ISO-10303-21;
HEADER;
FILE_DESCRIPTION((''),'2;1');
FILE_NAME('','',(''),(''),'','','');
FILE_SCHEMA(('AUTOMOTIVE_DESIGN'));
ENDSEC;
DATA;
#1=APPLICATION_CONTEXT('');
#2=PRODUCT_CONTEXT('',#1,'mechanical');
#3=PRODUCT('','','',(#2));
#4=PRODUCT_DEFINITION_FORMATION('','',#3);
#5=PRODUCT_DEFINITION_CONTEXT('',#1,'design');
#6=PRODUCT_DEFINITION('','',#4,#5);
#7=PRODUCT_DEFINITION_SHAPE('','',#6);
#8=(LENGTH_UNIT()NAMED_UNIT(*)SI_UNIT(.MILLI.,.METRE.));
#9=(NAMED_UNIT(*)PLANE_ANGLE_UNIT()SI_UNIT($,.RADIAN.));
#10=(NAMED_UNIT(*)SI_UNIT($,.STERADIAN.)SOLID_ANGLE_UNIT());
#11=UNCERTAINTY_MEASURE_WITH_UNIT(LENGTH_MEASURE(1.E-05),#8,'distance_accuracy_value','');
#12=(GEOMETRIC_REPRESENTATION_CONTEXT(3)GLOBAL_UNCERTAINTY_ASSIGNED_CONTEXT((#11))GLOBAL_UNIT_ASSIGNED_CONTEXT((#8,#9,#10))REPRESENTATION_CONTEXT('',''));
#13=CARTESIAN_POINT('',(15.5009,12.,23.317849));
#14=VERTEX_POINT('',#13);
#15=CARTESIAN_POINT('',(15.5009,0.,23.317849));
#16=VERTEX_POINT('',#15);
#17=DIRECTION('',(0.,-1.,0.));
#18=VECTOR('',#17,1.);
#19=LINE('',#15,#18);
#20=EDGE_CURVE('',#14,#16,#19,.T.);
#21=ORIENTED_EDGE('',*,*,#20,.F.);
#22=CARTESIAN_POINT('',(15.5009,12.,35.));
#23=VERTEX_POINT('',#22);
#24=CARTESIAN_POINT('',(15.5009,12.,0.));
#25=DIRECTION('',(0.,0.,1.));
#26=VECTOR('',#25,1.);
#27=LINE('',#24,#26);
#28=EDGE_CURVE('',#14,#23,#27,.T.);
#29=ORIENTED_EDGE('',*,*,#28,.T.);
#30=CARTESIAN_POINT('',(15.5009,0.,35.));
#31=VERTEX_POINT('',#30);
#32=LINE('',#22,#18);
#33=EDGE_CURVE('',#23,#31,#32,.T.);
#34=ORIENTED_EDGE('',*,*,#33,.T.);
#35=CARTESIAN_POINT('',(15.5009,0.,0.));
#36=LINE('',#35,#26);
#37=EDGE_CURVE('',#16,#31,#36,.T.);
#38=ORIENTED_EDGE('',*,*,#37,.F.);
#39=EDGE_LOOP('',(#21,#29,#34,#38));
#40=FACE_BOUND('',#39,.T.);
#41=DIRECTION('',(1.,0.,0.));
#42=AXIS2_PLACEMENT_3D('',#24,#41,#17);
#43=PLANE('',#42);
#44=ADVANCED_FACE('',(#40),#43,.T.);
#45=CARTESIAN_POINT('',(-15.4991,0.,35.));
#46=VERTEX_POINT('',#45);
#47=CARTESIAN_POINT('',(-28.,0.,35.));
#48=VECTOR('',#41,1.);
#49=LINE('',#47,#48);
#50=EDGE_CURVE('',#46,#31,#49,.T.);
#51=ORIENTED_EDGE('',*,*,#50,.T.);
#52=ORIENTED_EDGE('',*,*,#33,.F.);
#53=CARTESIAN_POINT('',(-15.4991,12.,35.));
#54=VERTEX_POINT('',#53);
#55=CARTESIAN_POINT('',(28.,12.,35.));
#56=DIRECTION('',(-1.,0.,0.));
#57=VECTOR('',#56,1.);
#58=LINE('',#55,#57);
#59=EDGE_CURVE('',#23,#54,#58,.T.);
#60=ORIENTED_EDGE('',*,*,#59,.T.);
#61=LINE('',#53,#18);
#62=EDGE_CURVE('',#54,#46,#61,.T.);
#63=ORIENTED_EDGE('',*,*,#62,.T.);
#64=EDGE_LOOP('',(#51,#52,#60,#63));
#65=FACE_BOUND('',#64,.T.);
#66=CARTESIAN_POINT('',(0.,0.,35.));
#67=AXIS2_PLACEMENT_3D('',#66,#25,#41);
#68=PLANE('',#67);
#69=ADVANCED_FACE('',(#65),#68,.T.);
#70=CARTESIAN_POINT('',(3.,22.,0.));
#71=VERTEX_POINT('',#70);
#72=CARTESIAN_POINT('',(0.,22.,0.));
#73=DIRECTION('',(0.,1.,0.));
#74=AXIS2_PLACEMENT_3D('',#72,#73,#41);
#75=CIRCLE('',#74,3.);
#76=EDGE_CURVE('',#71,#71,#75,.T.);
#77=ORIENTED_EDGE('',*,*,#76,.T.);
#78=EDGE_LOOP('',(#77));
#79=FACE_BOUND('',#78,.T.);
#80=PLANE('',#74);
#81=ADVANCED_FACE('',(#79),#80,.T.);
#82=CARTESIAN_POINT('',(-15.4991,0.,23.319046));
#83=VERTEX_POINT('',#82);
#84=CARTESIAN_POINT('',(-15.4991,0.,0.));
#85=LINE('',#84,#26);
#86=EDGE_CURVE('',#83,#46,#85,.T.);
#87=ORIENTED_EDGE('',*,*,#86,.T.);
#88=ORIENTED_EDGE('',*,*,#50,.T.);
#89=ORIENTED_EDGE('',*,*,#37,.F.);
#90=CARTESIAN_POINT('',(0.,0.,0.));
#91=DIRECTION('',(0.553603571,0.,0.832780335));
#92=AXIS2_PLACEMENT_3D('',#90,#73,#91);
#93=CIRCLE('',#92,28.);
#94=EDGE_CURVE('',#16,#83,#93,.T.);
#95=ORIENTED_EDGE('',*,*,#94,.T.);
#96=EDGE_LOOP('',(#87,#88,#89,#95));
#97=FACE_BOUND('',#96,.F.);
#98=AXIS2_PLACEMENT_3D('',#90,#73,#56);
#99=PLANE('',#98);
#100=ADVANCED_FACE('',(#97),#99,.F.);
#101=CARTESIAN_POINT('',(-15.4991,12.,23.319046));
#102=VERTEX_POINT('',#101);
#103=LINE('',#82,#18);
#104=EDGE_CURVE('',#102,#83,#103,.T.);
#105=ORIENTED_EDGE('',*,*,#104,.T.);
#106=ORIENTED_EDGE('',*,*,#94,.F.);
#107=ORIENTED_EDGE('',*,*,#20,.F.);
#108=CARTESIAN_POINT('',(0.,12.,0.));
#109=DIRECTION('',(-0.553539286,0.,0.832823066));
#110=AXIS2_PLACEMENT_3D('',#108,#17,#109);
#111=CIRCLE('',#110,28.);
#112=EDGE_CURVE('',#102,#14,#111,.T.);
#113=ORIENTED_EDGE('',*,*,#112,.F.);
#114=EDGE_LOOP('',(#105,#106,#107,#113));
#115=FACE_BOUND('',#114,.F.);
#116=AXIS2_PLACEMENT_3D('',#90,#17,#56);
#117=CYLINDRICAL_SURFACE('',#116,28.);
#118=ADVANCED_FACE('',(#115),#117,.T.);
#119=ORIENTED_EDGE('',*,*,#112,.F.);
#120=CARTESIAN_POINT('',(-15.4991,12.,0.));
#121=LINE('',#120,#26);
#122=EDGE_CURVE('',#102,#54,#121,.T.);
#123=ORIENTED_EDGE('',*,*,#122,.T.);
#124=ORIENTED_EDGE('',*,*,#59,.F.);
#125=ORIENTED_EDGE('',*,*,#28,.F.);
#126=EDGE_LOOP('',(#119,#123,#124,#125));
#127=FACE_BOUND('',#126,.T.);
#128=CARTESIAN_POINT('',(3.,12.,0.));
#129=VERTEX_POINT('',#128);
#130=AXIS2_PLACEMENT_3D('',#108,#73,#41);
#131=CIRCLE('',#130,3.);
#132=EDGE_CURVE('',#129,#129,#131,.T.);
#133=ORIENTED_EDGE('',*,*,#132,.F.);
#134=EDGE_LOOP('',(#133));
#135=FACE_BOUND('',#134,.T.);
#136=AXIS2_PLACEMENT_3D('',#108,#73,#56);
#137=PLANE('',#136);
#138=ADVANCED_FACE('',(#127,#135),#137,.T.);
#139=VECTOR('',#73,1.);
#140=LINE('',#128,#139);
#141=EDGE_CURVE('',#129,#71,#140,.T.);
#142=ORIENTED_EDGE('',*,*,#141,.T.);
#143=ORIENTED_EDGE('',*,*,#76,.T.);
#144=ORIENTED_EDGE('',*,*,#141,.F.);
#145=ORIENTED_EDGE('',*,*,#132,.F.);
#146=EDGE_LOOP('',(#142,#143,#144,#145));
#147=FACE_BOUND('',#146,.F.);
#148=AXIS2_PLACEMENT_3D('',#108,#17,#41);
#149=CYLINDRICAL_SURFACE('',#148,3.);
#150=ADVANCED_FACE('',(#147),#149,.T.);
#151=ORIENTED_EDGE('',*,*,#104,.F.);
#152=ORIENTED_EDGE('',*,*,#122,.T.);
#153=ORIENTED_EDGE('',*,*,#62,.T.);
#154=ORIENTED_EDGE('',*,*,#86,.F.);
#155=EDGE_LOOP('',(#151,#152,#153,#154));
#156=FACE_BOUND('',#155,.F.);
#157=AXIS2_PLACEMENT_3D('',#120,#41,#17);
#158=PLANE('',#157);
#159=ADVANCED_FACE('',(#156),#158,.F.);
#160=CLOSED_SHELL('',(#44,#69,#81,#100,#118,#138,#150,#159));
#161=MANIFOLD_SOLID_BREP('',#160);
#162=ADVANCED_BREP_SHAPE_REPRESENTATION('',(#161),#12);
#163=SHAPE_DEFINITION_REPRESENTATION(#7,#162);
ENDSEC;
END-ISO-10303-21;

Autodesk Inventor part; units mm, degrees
ref_plane "YZ Plane" through (0, 0, 0) normal (1, 0, 0) x (0, 1, 0)
ref_plane "XZ Plane" through (0, 0, 0) normal (0, 1, 0) x (-1, 0, 0)
ref_plane "XY Plane" through (0, 0, 0) normal (0, 0, 1) x (1, 0, 0)
sketch "Sketch1" plane through (0, 0, 0) normal (0, 1, 0) x (-1, 0, 0)
  circle A0 centre (0, 0) radius 28
  dimension "d0" = 56
extrude "Extrusion1" add sketch "Sketch1" along normal blind 12
sketch "Sketch3" plane through (0, 0, 0) normal (0, 0, 1) x (1, 0, 0)
  line L0 (0, 11.8294) -> (-15.4991, 12)
  line L1 (28, 12) -> (-28, 12) projected
  line L2 (-15.4991, 12) -> (-15.4991, -22.0673)
  line L3 (-28, 0) -> (28, 0) projected
  line L4 (-15.4991, 12) -> (15.5009, 12)
  line L5 (15.5009, 12) -> (15.5009, 0)
  line L6 (15.5009, 0) -> (-15.4991, 0)
  line L7 (-15.4991, 0) -> (-15.4991, 12)
  point P0 (0, 0)
  dimension "d5" = 15.5
  dimension "d6" = 31
extrude "Extrusion2" add sketch "Sketch3" along normal blind 35
sketch "Sketch4" plane through (0, 12, 0) normal (0, 1, 0) x (1, 0, 0)
  arc A0 (15.5009, -23.3178) -> (-15.4991, -23.3191) centre (0, 0) ccw projected
  circle A1 centre (0, 0) radius 3
  dimension "d9" = 6
extrude "Extrusion3" add sketch "Sketch4" along normal blind 10
properties part number "Encoder model"
